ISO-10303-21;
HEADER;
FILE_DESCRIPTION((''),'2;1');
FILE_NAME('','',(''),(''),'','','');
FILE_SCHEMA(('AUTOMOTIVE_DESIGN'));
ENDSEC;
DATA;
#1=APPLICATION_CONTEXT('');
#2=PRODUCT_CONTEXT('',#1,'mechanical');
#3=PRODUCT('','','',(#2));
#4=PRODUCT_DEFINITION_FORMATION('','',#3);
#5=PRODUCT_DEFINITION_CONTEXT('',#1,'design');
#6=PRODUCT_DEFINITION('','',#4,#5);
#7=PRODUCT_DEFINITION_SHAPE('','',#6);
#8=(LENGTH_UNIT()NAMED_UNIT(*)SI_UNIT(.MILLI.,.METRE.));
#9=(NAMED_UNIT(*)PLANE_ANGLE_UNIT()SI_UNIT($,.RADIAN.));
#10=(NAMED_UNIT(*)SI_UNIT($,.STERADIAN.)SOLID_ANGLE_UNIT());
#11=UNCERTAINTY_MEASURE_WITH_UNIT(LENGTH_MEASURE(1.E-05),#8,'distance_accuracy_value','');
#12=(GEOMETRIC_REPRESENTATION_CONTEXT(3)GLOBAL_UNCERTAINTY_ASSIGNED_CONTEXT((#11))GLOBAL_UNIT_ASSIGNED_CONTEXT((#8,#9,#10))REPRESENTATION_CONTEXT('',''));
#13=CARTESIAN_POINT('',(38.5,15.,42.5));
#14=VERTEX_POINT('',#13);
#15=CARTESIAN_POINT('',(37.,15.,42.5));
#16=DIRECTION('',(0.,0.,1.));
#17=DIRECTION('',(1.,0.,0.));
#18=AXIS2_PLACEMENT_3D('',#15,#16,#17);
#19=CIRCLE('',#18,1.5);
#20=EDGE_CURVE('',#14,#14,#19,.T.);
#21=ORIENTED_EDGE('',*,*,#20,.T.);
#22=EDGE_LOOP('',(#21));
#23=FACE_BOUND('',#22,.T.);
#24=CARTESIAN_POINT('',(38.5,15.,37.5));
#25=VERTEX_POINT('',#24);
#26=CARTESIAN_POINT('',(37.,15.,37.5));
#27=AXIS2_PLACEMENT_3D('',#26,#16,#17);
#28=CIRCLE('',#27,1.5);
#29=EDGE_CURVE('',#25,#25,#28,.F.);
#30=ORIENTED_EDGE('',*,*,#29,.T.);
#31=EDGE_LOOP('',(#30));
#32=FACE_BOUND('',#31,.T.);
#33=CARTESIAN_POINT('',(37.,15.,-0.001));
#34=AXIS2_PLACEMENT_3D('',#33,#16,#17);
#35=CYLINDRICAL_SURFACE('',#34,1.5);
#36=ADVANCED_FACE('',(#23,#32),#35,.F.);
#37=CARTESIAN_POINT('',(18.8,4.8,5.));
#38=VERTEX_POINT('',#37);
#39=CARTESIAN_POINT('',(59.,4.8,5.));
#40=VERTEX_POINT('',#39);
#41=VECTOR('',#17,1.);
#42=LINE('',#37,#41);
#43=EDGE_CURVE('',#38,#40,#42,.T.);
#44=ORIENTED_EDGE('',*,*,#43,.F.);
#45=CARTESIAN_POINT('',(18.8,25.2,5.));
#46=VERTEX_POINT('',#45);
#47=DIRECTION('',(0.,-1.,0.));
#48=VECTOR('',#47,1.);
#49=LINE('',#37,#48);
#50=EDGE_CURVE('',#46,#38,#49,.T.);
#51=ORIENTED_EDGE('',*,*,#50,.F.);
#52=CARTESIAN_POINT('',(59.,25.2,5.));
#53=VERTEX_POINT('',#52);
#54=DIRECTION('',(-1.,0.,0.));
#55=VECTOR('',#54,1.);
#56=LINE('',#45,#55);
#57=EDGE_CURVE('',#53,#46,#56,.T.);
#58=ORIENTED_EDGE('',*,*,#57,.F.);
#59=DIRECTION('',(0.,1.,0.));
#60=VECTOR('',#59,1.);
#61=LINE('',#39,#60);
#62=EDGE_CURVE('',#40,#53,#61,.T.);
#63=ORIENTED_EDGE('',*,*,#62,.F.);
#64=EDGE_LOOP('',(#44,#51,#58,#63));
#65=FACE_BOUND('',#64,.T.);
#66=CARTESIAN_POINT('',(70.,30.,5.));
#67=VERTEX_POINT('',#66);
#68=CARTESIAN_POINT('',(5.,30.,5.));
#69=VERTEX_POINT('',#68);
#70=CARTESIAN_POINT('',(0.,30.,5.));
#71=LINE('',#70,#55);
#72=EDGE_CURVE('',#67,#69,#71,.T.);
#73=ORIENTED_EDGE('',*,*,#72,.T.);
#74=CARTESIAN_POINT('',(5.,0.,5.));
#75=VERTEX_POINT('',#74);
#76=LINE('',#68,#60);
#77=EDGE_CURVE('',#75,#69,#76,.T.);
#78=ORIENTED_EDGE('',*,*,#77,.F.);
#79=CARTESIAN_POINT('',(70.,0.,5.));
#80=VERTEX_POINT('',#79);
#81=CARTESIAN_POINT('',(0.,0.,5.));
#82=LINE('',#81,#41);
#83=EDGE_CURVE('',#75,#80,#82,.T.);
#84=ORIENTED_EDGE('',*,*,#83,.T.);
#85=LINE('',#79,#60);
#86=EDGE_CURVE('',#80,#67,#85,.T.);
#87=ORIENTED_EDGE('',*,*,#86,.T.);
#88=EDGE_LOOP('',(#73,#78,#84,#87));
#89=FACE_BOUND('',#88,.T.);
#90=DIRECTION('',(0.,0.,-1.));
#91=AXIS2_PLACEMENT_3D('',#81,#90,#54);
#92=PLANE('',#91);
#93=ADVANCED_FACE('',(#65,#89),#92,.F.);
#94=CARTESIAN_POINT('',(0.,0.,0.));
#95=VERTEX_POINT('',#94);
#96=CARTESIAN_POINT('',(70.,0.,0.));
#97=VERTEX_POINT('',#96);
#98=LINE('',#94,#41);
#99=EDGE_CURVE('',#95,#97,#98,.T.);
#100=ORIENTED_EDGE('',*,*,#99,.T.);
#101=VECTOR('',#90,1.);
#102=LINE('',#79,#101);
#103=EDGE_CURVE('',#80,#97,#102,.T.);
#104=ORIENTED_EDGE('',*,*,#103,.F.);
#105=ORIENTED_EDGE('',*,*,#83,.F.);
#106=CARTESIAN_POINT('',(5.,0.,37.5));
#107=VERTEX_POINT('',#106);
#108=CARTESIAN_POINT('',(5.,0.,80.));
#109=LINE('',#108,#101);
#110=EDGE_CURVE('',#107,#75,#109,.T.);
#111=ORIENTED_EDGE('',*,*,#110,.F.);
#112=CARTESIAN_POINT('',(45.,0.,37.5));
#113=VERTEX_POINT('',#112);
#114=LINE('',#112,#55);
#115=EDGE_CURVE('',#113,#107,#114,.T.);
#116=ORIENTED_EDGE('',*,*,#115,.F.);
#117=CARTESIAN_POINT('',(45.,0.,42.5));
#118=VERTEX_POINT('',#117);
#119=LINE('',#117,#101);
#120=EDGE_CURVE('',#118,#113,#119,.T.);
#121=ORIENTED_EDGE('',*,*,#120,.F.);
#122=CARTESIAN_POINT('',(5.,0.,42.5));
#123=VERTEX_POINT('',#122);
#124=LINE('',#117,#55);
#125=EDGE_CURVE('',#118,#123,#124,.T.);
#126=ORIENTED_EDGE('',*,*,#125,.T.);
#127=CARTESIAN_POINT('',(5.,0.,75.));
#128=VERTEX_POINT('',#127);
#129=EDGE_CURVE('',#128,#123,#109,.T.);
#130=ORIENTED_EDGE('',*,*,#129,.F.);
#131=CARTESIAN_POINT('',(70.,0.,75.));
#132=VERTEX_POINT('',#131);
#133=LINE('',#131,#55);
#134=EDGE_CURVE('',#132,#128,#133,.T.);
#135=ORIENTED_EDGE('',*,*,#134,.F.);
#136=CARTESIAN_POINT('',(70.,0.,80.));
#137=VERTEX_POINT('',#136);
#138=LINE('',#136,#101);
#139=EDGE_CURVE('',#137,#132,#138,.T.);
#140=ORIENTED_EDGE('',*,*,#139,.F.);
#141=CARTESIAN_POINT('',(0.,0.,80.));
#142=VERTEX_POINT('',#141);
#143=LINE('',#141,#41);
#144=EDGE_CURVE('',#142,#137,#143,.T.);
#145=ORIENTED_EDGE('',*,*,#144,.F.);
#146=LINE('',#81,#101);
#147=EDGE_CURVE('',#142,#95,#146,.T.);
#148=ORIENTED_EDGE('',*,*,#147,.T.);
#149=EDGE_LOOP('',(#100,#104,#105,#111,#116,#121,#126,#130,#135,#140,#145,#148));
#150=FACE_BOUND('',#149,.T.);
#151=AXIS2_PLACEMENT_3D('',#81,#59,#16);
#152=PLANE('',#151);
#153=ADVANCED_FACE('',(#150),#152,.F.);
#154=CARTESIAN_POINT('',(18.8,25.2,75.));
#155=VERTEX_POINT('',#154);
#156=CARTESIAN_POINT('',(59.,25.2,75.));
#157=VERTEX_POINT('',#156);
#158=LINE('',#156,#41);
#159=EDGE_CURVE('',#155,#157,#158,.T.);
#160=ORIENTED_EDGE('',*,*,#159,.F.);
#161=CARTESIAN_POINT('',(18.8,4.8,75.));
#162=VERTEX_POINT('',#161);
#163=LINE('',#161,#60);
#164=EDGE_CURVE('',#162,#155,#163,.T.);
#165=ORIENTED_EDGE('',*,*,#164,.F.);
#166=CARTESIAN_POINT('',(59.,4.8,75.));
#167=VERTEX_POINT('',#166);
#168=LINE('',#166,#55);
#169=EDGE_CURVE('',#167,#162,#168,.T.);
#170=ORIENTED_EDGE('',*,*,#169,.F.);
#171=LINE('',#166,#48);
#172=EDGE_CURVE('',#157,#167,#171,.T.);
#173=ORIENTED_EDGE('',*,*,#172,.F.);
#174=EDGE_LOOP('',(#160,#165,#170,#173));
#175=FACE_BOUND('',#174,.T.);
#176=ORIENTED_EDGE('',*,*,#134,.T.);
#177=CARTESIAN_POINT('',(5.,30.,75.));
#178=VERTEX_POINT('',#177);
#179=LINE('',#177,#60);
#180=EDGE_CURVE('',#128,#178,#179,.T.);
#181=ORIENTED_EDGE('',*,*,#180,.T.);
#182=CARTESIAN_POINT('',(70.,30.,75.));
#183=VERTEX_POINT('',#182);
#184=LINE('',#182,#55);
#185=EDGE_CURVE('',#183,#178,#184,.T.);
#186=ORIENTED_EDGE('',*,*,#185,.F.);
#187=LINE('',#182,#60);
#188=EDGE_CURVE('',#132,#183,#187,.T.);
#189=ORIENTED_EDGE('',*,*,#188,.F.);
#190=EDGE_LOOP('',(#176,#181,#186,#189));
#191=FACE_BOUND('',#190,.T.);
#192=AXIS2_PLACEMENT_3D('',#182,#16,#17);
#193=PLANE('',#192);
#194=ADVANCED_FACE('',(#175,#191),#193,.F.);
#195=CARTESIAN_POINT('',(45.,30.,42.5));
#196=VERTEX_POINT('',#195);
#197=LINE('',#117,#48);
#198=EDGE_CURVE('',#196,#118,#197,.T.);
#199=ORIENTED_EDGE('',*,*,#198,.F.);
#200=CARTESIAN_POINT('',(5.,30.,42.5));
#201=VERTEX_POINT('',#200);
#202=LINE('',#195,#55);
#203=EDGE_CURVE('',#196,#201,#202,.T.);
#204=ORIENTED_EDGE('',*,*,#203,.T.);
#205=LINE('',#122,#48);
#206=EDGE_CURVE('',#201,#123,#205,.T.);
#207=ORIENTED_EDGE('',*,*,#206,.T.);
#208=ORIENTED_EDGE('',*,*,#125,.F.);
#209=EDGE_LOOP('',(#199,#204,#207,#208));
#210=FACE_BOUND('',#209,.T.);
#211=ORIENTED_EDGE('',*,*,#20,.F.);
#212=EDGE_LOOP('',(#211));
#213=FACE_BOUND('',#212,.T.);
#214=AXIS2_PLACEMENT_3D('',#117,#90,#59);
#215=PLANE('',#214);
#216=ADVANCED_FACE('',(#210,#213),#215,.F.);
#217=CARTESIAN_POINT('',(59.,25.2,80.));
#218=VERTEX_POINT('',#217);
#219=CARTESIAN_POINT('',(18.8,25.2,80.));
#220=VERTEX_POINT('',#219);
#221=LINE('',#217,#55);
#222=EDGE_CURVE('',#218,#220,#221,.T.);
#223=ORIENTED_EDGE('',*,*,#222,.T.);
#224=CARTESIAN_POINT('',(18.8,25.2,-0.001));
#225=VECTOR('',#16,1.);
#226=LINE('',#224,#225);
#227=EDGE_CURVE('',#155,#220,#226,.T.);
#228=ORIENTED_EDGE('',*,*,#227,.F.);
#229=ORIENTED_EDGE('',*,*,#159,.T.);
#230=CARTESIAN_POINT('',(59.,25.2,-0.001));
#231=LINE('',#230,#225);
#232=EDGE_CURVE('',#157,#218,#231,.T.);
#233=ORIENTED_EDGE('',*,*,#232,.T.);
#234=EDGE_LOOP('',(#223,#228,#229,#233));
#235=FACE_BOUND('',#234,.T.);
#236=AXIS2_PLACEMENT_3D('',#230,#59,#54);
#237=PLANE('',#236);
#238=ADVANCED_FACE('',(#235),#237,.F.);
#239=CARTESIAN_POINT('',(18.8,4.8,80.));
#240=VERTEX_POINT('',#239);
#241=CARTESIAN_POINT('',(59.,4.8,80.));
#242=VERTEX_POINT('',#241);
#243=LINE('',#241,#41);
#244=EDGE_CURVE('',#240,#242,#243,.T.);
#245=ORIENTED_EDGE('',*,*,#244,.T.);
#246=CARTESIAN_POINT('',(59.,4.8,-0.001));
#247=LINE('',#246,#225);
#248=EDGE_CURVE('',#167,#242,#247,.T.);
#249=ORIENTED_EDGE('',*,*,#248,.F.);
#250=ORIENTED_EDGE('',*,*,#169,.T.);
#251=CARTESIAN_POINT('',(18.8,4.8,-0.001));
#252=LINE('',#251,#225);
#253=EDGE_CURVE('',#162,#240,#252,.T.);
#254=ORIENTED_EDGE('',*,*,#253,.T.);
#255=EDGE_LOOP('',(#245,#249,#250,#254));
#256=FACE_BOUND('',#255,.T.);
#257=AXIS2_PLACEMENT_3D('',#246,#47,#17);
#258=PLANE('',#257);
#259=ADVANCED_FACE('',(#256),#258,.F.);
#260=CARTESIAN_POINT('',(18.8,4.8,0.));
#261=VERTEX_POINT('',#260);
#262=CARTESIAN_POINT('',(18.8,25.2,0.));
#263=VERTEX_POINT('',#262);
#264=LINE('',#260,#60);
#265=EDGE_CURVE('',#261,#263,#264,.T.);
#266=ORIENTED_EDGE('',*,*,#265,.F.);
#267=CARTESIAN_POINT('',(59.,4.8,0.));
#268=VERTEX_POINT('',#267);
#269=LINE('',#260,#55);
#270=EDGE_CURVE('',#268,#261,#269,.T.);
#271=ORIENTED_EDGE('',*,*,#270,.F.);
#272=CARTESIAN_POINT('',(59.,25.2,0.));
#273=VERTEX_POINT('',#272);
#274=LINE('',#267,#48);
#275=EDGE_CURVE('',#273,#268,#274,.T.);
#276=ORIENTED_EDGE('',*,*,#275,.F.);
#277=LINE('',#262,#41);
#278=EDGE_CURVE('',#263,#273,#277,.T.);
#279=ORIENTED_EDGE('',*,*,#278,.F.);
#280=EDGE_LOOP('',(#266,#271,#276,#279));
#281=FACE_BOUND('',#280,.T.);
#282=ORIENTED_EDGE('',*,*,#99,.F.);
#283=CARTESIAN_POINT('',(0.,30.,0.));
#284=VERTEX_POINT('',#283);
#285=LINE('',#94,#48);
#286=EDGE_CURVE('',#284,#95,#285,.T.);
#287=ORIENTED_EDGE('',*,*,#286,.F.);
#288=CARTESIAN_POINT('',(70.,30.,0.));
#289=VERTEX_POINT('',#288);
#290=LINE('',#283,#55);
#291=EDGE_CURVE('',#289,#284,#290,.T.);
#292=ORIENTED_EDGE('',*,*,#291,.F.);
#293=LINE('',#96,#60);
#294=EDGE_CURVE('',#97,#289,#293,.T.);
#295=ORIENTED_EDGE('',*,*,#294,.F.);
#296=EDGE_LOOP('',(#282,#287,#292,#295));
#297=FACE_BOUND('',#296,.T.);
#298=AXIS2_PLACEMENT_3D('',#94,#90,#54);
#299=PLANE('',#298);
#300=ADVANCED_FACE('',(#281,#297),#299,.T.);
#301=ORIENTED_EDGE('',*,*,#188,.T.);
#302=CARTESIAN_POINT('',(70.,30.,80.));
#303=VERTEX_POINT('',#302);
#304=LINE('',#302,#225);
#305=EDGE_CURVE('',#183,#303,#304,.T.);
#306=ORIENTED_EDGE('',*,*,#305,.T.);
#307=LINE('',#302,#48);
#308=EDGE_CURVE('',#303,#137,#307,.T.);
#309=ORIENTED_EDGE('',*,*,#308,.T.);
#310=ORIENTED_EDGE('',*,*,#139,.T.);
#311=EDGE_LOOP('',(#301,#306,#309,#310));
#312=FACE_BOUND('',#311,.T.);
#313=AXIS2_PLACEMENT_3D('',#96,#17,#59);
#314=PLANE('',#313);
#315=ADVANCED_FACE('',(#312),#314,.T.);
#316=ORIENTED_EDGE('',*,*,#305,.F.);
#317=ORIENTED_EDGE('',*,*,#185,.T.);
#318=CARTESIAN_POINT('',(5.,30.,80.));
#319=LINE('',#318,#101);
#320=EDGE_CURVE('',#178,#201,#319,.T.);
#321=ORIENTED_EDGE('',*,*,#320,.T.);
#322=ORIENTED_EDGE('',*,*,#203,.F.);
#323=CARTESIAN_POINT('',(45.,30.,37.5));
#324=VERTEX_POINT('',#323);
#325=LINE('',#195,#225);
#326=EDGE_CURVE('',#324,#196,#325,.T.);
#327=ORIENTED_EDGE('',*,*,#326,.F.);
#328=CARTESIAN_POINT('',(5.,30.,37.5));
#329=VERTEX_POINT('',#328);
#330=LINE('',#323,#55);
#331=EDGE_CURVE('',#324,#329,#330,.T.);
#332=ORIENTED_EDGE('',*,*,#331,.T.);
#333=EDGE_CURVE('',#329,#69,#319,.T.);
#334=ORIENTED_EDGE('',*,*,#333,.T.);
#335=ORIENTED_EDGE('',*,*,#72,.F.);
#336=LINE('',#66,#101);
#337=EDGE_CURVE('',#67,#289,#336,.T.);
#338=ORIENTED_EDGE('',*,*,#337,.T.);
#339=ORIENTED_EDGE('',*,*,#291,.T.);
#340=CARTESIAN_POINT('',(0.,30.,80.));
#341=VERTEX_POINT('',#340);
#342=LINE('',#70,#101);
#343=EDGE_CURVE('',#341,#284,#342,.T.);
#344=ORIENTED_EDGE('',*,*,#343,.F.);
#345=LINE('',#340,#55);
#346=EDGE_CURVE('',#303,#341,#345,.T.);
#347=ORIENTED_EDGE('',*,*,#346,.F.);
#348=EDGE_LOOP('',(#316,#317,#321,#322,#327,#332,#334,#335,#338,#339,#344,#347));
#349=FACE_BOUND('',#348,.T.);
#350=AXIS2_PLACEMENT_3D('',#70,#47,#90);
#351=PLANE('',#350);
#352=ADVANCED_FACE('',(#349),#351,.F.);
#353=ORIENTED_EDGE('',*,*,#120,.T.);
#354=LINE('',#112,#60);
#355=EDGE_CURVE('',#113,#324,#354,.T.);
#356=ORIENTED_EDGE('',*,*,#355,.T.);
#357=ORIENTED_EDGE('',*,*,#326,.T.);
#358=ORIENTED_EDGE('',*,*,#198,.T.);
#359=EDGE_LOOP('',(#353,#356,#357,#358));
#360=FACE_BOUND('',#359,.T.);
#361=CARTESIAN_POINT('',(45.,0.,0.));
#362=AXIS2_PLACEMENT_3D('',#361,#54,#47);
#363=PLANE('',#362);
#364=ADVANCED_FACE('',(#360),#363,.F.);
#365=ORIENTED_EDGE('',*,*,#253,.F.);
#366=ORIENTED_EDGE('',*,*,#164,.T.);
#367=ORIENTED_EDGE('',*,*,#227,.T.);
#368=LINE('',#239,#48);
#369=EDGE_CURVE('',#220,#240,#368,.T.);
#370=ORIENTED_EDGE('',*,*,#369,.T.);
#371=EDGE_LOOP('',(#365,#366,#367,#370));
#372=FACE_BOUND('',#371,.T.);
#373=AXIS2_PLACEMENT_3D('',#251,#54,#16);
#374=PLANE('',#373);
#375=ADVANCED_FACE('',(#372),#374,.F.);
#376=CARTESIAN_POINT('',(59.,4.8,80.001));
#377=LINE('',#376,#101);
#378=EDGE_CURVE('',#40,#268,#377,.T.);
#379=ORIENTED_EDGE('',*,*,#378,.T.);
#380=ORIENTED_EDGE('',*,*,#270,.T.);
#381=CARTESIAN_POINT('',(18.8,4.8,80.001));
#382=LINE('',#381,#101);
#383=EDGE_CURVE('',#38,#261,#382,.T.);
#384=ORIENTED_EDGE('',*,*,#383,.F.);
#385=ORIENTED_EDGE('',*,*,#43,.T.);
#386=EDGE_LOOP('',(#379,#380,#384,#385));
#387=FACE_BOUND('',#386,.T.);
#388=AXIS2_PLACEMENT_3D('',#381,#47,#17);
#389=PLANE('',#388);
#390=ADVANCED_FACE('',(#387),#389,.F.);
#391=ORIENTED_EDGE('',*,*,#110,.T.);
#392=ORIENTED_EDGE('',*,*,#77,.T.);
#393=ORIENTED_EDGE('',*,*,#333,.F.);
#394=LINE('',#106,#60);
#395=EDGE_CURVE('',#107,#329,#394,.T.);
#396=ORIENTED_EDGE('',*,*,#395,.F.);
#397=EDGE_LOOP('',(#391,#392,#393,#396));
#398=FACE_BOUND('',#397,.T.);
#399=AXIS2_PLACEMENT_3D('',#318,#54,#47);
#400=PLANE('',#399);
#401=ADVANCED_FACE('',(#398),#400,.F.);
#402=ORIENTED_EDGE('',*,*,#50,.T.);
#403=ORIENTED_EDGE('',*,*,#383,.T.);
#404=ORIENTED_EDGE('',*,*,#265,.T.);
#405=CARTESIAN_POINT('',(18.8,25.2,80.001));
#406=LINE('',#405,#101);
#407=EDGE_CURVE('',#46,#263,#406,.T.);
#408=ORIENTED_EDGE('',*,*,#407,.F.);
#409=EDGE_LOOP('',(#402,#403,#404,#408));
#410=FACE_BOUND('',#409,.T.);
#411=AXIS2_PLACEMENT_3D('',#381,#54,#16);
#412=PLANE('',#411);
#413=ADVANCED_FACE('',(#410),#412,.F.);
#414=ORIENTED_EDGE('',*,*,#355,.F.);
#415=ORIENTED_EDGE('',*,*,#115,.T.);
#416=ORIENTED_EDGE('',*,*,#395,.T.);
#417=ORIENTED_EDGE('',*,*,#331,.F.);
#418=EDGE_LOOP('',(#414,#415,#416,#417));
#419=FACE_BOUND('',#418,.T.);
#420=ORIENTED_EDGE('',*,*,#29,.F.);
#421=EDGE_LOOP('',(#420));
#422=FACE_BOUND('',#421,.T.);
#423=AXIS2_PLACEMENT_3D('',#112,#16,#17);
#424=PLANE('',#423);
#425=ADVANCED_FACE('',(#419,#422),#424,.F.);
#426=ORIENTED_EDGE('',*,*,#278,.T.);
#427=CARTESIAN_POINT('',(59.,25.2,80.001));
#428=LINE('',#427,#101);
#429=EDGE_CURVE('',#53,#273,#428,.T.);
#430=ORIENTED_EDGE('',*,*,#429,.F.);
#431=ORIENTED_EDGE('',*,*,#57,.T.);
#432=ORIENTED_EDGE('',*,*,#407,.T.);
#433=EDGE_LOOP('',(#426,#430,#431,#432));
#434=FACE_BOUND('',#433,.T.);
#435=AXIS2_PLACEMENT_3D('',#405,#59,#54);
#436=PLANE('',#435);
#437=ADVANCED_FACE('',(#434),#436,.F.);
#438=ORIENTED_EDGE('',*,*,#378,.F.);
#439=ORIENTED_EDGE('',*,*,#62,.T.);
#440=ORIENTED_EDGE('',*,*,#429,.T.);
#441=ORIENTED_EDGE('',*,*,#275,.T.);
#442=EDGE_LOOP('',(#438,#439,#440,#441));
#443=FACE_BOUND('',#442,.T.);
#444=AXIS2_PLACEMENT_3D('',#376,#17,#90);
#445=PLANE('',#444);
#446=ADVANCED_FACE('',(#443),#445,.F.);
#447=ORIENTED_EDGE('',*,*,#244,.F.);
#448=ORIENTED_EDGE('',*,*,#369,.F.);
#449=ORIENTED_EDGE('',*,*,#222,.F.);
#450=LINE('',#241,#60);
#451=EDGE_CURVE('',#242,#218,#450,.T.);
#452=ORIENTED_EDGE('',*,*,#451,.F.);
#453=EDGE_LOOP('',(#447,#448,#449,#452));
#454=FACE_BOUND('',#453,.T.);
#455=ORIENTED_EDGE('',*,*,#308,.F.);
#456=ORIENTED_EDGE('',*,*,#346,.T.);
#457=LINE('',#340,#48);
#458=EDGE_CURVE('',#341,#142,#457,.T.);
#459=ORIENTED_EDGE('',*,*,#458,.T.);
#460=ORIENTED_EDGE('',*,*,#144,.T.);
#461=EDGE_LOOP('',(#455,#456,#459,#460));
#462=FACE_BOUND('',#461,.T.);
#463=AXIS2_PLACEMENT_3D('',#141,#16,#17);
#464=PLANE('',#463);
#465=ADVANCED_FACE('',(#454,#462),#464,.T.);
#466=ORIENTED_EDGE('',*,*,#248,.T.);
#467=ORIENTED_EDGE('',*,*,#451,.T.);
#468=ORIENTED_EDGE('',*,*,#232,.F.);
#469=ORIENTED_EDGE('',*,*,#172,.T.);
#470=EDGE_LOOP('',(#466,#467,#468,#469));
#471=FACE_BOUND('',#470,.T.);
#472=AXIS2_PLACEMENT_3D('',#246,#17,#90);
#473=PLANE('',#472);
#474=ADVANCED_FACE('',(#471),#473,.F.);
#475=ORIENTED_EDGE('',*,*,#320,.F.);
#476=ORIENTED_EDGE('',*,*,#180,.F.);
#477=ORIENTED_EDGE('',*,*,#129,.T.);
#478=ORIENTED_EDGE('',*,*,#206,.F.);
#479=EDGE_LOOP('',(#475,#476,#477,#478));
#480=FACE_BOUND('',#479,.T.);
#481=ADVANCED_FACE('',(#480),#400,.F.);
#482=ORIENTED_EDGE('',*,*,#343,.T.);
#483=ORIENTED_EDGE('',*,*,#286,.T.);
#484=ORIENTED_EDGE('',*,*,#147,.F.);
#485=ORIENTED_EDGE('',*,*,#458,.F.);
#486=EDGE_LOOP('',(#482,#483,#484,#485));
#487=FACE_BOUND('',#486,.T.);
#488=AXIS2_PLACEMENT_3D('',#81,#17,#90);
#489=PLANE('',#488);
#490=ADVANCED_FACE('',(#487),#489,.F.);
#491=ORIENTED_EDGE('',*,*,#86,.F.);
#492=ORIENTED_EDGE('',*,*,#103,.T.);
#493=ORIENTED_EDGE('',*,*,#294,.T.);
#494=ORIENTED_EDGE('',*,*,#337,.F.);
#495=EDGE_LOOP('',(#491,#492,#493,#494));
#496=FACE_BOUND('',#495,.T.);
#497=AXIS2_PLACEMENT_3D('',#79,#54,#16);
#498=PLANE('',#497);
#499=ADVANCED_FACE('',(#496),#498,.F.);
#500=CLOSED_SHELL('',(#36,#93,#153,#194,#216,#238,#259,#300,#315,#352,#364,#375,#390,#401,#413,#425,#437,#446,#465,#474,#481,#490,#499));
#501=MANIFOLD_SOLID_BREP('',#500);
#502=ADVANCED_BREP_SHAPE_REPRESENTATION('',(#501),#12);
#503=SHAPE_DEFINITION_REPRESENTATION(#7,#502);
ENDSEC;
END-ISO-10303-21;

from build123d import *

# Parameters (mm, degrees)
SKETCH_1_W          = 70
SKETCH_1_H          = 30
EXTRUDE_1_DEPTH     = 5
SKETCH_2_W          = 5
SKETCH_2_H          = 30
EXTRUDE_2_DEPTH     = 75
SKETCH_3_W          = 5
SKETCH_3_H          = 30
EXTRUDE_3_DEPTH     = 65
SKETCH_4_W          = 5
SKETCH_4_H          = 30
EXTRUDE_4_DEPTH     = 40
CUT_EXTRUDE_3_REACH = 112.454
SKETCH_6_W          = 40.2
SKETCH_6_H          = 20.4
CUT_EXTRUDE_4_REACH = 112.454
SKETCH_7_W          = 40.2
SKETCH_7_H          = 20.4
CUT_EXTRUDE_5_REACH = 89.214
SKETCH_5_R          = 1.5


with BuildPart() as part:
    # 草图1 → 凸台-拉伸1 (new body)
    with BuildSketch(Plane.XY):
        with Locations((35, 15)):
            Rectangle(SKETCH_1_W, SKETCH_1_H)
    extrude(amount=EXTRUDE_1_DEPTH)

    # 草图2 → 凸台-拉伸2 (add)
    with BuildSketch(Plane.XY.offset(5)):
        with Locations((2.5, 15)):
            Rectangle(SKETCH_2_W, SKETCH_2_H)
    extrude(amount=EXTRUDE_2_DEPTH)

    # 草图3 → 凸台-拉伸3 (add)
    with BuildSketch(Plane(origin=(5, 0, 0), x_dir=(0, 0, -1), z_dir=(1, 0, 0))):
        with Locations((-77.5, 15)):
            Rectangle(SKETCH_3_W, SKETCH_3_H)
    extrude(amount=EXTRUDE_3_DEPTH)

    # 草图4 → 凸台-拉伸4 (add)
    with BuildSketch(Plane(origin=(5, 0, 0), x_dir=(0, 0, -1), z_dir=(1, 0, 0))):
        with Locations((-40, 15)):
            Rectangle(SKETCH_4_W, SKETCH_4_H)
    extrude(amount=EXTRUDE_4_DEPTH)

    # 草图6 → 切除-拉伸3 (cut, up to next)
    with BuildSketch(Plane(origin=(0, 0, 0), x_dir=(-1, 0, 0), z_dir=(0, 0, -1)), mode=Mode.PRIVATE) as cut_extrude_3_sk1:
        with Locations((-38.9, 15)):
            Rectangle(SKETCH_6_W, SKETCH_6_H)
    cut_extrude_3_tool1 = extrude(cut_extrude_3_sk1.sketch, amount=-CUT_EXTRUDE_3_REACH, mode=Mode.PRIVATE) & part.part
    add(cut_extrude_3_tool1.solids().sort_by_distance((38.9, 15, 0))[0], mode=Mode.SUBTRACT)

    # 草图7 → 切除-拉伸4 (cut, up to next)
    with BuildSketch(Plane.XY.offset(80), mode=Mode.PRIVATE) as cut_extrude_4_sk1:
        with Locations((38.9, 15)):
            Rectangle(SKETCH_7_W, SKETCH_7_H)
    cut_extrude_4_tool1 = extrude(cut_extrude_4_sk1.sketch, amount=-CUT_EXTRUDE_4_REACH, mode=Mode.PRIVATE) & part.part
    add(cut_extrude_4_tool1.solids().sort_by_distance((38.9, 15, 80))[0], mode=Mode.SUBTRACT)

    # 草图5 → 切除-拉伸5 (cut, up to next)
    with BuildSketch(Plane.XY.offset(42.5), mode=Mode.PRIVATE) as cut_extrude_5_sk1:
        with Locations((37, 15)):
            Circle(SKETCH_5_R)
    cut_extrude_5_tool1 = extrude(cut_extrude_5_sk1.sketch, amount=-CUT_EXTRUDE_5_REACH, mode=Mode.PRIVATE) & part.part
    add(cut_extrude_5_tool1.solids().sort_by_distance((37, 15, 42.5))[0], mode=Mode.SUBTRACT)


solid = part.part
